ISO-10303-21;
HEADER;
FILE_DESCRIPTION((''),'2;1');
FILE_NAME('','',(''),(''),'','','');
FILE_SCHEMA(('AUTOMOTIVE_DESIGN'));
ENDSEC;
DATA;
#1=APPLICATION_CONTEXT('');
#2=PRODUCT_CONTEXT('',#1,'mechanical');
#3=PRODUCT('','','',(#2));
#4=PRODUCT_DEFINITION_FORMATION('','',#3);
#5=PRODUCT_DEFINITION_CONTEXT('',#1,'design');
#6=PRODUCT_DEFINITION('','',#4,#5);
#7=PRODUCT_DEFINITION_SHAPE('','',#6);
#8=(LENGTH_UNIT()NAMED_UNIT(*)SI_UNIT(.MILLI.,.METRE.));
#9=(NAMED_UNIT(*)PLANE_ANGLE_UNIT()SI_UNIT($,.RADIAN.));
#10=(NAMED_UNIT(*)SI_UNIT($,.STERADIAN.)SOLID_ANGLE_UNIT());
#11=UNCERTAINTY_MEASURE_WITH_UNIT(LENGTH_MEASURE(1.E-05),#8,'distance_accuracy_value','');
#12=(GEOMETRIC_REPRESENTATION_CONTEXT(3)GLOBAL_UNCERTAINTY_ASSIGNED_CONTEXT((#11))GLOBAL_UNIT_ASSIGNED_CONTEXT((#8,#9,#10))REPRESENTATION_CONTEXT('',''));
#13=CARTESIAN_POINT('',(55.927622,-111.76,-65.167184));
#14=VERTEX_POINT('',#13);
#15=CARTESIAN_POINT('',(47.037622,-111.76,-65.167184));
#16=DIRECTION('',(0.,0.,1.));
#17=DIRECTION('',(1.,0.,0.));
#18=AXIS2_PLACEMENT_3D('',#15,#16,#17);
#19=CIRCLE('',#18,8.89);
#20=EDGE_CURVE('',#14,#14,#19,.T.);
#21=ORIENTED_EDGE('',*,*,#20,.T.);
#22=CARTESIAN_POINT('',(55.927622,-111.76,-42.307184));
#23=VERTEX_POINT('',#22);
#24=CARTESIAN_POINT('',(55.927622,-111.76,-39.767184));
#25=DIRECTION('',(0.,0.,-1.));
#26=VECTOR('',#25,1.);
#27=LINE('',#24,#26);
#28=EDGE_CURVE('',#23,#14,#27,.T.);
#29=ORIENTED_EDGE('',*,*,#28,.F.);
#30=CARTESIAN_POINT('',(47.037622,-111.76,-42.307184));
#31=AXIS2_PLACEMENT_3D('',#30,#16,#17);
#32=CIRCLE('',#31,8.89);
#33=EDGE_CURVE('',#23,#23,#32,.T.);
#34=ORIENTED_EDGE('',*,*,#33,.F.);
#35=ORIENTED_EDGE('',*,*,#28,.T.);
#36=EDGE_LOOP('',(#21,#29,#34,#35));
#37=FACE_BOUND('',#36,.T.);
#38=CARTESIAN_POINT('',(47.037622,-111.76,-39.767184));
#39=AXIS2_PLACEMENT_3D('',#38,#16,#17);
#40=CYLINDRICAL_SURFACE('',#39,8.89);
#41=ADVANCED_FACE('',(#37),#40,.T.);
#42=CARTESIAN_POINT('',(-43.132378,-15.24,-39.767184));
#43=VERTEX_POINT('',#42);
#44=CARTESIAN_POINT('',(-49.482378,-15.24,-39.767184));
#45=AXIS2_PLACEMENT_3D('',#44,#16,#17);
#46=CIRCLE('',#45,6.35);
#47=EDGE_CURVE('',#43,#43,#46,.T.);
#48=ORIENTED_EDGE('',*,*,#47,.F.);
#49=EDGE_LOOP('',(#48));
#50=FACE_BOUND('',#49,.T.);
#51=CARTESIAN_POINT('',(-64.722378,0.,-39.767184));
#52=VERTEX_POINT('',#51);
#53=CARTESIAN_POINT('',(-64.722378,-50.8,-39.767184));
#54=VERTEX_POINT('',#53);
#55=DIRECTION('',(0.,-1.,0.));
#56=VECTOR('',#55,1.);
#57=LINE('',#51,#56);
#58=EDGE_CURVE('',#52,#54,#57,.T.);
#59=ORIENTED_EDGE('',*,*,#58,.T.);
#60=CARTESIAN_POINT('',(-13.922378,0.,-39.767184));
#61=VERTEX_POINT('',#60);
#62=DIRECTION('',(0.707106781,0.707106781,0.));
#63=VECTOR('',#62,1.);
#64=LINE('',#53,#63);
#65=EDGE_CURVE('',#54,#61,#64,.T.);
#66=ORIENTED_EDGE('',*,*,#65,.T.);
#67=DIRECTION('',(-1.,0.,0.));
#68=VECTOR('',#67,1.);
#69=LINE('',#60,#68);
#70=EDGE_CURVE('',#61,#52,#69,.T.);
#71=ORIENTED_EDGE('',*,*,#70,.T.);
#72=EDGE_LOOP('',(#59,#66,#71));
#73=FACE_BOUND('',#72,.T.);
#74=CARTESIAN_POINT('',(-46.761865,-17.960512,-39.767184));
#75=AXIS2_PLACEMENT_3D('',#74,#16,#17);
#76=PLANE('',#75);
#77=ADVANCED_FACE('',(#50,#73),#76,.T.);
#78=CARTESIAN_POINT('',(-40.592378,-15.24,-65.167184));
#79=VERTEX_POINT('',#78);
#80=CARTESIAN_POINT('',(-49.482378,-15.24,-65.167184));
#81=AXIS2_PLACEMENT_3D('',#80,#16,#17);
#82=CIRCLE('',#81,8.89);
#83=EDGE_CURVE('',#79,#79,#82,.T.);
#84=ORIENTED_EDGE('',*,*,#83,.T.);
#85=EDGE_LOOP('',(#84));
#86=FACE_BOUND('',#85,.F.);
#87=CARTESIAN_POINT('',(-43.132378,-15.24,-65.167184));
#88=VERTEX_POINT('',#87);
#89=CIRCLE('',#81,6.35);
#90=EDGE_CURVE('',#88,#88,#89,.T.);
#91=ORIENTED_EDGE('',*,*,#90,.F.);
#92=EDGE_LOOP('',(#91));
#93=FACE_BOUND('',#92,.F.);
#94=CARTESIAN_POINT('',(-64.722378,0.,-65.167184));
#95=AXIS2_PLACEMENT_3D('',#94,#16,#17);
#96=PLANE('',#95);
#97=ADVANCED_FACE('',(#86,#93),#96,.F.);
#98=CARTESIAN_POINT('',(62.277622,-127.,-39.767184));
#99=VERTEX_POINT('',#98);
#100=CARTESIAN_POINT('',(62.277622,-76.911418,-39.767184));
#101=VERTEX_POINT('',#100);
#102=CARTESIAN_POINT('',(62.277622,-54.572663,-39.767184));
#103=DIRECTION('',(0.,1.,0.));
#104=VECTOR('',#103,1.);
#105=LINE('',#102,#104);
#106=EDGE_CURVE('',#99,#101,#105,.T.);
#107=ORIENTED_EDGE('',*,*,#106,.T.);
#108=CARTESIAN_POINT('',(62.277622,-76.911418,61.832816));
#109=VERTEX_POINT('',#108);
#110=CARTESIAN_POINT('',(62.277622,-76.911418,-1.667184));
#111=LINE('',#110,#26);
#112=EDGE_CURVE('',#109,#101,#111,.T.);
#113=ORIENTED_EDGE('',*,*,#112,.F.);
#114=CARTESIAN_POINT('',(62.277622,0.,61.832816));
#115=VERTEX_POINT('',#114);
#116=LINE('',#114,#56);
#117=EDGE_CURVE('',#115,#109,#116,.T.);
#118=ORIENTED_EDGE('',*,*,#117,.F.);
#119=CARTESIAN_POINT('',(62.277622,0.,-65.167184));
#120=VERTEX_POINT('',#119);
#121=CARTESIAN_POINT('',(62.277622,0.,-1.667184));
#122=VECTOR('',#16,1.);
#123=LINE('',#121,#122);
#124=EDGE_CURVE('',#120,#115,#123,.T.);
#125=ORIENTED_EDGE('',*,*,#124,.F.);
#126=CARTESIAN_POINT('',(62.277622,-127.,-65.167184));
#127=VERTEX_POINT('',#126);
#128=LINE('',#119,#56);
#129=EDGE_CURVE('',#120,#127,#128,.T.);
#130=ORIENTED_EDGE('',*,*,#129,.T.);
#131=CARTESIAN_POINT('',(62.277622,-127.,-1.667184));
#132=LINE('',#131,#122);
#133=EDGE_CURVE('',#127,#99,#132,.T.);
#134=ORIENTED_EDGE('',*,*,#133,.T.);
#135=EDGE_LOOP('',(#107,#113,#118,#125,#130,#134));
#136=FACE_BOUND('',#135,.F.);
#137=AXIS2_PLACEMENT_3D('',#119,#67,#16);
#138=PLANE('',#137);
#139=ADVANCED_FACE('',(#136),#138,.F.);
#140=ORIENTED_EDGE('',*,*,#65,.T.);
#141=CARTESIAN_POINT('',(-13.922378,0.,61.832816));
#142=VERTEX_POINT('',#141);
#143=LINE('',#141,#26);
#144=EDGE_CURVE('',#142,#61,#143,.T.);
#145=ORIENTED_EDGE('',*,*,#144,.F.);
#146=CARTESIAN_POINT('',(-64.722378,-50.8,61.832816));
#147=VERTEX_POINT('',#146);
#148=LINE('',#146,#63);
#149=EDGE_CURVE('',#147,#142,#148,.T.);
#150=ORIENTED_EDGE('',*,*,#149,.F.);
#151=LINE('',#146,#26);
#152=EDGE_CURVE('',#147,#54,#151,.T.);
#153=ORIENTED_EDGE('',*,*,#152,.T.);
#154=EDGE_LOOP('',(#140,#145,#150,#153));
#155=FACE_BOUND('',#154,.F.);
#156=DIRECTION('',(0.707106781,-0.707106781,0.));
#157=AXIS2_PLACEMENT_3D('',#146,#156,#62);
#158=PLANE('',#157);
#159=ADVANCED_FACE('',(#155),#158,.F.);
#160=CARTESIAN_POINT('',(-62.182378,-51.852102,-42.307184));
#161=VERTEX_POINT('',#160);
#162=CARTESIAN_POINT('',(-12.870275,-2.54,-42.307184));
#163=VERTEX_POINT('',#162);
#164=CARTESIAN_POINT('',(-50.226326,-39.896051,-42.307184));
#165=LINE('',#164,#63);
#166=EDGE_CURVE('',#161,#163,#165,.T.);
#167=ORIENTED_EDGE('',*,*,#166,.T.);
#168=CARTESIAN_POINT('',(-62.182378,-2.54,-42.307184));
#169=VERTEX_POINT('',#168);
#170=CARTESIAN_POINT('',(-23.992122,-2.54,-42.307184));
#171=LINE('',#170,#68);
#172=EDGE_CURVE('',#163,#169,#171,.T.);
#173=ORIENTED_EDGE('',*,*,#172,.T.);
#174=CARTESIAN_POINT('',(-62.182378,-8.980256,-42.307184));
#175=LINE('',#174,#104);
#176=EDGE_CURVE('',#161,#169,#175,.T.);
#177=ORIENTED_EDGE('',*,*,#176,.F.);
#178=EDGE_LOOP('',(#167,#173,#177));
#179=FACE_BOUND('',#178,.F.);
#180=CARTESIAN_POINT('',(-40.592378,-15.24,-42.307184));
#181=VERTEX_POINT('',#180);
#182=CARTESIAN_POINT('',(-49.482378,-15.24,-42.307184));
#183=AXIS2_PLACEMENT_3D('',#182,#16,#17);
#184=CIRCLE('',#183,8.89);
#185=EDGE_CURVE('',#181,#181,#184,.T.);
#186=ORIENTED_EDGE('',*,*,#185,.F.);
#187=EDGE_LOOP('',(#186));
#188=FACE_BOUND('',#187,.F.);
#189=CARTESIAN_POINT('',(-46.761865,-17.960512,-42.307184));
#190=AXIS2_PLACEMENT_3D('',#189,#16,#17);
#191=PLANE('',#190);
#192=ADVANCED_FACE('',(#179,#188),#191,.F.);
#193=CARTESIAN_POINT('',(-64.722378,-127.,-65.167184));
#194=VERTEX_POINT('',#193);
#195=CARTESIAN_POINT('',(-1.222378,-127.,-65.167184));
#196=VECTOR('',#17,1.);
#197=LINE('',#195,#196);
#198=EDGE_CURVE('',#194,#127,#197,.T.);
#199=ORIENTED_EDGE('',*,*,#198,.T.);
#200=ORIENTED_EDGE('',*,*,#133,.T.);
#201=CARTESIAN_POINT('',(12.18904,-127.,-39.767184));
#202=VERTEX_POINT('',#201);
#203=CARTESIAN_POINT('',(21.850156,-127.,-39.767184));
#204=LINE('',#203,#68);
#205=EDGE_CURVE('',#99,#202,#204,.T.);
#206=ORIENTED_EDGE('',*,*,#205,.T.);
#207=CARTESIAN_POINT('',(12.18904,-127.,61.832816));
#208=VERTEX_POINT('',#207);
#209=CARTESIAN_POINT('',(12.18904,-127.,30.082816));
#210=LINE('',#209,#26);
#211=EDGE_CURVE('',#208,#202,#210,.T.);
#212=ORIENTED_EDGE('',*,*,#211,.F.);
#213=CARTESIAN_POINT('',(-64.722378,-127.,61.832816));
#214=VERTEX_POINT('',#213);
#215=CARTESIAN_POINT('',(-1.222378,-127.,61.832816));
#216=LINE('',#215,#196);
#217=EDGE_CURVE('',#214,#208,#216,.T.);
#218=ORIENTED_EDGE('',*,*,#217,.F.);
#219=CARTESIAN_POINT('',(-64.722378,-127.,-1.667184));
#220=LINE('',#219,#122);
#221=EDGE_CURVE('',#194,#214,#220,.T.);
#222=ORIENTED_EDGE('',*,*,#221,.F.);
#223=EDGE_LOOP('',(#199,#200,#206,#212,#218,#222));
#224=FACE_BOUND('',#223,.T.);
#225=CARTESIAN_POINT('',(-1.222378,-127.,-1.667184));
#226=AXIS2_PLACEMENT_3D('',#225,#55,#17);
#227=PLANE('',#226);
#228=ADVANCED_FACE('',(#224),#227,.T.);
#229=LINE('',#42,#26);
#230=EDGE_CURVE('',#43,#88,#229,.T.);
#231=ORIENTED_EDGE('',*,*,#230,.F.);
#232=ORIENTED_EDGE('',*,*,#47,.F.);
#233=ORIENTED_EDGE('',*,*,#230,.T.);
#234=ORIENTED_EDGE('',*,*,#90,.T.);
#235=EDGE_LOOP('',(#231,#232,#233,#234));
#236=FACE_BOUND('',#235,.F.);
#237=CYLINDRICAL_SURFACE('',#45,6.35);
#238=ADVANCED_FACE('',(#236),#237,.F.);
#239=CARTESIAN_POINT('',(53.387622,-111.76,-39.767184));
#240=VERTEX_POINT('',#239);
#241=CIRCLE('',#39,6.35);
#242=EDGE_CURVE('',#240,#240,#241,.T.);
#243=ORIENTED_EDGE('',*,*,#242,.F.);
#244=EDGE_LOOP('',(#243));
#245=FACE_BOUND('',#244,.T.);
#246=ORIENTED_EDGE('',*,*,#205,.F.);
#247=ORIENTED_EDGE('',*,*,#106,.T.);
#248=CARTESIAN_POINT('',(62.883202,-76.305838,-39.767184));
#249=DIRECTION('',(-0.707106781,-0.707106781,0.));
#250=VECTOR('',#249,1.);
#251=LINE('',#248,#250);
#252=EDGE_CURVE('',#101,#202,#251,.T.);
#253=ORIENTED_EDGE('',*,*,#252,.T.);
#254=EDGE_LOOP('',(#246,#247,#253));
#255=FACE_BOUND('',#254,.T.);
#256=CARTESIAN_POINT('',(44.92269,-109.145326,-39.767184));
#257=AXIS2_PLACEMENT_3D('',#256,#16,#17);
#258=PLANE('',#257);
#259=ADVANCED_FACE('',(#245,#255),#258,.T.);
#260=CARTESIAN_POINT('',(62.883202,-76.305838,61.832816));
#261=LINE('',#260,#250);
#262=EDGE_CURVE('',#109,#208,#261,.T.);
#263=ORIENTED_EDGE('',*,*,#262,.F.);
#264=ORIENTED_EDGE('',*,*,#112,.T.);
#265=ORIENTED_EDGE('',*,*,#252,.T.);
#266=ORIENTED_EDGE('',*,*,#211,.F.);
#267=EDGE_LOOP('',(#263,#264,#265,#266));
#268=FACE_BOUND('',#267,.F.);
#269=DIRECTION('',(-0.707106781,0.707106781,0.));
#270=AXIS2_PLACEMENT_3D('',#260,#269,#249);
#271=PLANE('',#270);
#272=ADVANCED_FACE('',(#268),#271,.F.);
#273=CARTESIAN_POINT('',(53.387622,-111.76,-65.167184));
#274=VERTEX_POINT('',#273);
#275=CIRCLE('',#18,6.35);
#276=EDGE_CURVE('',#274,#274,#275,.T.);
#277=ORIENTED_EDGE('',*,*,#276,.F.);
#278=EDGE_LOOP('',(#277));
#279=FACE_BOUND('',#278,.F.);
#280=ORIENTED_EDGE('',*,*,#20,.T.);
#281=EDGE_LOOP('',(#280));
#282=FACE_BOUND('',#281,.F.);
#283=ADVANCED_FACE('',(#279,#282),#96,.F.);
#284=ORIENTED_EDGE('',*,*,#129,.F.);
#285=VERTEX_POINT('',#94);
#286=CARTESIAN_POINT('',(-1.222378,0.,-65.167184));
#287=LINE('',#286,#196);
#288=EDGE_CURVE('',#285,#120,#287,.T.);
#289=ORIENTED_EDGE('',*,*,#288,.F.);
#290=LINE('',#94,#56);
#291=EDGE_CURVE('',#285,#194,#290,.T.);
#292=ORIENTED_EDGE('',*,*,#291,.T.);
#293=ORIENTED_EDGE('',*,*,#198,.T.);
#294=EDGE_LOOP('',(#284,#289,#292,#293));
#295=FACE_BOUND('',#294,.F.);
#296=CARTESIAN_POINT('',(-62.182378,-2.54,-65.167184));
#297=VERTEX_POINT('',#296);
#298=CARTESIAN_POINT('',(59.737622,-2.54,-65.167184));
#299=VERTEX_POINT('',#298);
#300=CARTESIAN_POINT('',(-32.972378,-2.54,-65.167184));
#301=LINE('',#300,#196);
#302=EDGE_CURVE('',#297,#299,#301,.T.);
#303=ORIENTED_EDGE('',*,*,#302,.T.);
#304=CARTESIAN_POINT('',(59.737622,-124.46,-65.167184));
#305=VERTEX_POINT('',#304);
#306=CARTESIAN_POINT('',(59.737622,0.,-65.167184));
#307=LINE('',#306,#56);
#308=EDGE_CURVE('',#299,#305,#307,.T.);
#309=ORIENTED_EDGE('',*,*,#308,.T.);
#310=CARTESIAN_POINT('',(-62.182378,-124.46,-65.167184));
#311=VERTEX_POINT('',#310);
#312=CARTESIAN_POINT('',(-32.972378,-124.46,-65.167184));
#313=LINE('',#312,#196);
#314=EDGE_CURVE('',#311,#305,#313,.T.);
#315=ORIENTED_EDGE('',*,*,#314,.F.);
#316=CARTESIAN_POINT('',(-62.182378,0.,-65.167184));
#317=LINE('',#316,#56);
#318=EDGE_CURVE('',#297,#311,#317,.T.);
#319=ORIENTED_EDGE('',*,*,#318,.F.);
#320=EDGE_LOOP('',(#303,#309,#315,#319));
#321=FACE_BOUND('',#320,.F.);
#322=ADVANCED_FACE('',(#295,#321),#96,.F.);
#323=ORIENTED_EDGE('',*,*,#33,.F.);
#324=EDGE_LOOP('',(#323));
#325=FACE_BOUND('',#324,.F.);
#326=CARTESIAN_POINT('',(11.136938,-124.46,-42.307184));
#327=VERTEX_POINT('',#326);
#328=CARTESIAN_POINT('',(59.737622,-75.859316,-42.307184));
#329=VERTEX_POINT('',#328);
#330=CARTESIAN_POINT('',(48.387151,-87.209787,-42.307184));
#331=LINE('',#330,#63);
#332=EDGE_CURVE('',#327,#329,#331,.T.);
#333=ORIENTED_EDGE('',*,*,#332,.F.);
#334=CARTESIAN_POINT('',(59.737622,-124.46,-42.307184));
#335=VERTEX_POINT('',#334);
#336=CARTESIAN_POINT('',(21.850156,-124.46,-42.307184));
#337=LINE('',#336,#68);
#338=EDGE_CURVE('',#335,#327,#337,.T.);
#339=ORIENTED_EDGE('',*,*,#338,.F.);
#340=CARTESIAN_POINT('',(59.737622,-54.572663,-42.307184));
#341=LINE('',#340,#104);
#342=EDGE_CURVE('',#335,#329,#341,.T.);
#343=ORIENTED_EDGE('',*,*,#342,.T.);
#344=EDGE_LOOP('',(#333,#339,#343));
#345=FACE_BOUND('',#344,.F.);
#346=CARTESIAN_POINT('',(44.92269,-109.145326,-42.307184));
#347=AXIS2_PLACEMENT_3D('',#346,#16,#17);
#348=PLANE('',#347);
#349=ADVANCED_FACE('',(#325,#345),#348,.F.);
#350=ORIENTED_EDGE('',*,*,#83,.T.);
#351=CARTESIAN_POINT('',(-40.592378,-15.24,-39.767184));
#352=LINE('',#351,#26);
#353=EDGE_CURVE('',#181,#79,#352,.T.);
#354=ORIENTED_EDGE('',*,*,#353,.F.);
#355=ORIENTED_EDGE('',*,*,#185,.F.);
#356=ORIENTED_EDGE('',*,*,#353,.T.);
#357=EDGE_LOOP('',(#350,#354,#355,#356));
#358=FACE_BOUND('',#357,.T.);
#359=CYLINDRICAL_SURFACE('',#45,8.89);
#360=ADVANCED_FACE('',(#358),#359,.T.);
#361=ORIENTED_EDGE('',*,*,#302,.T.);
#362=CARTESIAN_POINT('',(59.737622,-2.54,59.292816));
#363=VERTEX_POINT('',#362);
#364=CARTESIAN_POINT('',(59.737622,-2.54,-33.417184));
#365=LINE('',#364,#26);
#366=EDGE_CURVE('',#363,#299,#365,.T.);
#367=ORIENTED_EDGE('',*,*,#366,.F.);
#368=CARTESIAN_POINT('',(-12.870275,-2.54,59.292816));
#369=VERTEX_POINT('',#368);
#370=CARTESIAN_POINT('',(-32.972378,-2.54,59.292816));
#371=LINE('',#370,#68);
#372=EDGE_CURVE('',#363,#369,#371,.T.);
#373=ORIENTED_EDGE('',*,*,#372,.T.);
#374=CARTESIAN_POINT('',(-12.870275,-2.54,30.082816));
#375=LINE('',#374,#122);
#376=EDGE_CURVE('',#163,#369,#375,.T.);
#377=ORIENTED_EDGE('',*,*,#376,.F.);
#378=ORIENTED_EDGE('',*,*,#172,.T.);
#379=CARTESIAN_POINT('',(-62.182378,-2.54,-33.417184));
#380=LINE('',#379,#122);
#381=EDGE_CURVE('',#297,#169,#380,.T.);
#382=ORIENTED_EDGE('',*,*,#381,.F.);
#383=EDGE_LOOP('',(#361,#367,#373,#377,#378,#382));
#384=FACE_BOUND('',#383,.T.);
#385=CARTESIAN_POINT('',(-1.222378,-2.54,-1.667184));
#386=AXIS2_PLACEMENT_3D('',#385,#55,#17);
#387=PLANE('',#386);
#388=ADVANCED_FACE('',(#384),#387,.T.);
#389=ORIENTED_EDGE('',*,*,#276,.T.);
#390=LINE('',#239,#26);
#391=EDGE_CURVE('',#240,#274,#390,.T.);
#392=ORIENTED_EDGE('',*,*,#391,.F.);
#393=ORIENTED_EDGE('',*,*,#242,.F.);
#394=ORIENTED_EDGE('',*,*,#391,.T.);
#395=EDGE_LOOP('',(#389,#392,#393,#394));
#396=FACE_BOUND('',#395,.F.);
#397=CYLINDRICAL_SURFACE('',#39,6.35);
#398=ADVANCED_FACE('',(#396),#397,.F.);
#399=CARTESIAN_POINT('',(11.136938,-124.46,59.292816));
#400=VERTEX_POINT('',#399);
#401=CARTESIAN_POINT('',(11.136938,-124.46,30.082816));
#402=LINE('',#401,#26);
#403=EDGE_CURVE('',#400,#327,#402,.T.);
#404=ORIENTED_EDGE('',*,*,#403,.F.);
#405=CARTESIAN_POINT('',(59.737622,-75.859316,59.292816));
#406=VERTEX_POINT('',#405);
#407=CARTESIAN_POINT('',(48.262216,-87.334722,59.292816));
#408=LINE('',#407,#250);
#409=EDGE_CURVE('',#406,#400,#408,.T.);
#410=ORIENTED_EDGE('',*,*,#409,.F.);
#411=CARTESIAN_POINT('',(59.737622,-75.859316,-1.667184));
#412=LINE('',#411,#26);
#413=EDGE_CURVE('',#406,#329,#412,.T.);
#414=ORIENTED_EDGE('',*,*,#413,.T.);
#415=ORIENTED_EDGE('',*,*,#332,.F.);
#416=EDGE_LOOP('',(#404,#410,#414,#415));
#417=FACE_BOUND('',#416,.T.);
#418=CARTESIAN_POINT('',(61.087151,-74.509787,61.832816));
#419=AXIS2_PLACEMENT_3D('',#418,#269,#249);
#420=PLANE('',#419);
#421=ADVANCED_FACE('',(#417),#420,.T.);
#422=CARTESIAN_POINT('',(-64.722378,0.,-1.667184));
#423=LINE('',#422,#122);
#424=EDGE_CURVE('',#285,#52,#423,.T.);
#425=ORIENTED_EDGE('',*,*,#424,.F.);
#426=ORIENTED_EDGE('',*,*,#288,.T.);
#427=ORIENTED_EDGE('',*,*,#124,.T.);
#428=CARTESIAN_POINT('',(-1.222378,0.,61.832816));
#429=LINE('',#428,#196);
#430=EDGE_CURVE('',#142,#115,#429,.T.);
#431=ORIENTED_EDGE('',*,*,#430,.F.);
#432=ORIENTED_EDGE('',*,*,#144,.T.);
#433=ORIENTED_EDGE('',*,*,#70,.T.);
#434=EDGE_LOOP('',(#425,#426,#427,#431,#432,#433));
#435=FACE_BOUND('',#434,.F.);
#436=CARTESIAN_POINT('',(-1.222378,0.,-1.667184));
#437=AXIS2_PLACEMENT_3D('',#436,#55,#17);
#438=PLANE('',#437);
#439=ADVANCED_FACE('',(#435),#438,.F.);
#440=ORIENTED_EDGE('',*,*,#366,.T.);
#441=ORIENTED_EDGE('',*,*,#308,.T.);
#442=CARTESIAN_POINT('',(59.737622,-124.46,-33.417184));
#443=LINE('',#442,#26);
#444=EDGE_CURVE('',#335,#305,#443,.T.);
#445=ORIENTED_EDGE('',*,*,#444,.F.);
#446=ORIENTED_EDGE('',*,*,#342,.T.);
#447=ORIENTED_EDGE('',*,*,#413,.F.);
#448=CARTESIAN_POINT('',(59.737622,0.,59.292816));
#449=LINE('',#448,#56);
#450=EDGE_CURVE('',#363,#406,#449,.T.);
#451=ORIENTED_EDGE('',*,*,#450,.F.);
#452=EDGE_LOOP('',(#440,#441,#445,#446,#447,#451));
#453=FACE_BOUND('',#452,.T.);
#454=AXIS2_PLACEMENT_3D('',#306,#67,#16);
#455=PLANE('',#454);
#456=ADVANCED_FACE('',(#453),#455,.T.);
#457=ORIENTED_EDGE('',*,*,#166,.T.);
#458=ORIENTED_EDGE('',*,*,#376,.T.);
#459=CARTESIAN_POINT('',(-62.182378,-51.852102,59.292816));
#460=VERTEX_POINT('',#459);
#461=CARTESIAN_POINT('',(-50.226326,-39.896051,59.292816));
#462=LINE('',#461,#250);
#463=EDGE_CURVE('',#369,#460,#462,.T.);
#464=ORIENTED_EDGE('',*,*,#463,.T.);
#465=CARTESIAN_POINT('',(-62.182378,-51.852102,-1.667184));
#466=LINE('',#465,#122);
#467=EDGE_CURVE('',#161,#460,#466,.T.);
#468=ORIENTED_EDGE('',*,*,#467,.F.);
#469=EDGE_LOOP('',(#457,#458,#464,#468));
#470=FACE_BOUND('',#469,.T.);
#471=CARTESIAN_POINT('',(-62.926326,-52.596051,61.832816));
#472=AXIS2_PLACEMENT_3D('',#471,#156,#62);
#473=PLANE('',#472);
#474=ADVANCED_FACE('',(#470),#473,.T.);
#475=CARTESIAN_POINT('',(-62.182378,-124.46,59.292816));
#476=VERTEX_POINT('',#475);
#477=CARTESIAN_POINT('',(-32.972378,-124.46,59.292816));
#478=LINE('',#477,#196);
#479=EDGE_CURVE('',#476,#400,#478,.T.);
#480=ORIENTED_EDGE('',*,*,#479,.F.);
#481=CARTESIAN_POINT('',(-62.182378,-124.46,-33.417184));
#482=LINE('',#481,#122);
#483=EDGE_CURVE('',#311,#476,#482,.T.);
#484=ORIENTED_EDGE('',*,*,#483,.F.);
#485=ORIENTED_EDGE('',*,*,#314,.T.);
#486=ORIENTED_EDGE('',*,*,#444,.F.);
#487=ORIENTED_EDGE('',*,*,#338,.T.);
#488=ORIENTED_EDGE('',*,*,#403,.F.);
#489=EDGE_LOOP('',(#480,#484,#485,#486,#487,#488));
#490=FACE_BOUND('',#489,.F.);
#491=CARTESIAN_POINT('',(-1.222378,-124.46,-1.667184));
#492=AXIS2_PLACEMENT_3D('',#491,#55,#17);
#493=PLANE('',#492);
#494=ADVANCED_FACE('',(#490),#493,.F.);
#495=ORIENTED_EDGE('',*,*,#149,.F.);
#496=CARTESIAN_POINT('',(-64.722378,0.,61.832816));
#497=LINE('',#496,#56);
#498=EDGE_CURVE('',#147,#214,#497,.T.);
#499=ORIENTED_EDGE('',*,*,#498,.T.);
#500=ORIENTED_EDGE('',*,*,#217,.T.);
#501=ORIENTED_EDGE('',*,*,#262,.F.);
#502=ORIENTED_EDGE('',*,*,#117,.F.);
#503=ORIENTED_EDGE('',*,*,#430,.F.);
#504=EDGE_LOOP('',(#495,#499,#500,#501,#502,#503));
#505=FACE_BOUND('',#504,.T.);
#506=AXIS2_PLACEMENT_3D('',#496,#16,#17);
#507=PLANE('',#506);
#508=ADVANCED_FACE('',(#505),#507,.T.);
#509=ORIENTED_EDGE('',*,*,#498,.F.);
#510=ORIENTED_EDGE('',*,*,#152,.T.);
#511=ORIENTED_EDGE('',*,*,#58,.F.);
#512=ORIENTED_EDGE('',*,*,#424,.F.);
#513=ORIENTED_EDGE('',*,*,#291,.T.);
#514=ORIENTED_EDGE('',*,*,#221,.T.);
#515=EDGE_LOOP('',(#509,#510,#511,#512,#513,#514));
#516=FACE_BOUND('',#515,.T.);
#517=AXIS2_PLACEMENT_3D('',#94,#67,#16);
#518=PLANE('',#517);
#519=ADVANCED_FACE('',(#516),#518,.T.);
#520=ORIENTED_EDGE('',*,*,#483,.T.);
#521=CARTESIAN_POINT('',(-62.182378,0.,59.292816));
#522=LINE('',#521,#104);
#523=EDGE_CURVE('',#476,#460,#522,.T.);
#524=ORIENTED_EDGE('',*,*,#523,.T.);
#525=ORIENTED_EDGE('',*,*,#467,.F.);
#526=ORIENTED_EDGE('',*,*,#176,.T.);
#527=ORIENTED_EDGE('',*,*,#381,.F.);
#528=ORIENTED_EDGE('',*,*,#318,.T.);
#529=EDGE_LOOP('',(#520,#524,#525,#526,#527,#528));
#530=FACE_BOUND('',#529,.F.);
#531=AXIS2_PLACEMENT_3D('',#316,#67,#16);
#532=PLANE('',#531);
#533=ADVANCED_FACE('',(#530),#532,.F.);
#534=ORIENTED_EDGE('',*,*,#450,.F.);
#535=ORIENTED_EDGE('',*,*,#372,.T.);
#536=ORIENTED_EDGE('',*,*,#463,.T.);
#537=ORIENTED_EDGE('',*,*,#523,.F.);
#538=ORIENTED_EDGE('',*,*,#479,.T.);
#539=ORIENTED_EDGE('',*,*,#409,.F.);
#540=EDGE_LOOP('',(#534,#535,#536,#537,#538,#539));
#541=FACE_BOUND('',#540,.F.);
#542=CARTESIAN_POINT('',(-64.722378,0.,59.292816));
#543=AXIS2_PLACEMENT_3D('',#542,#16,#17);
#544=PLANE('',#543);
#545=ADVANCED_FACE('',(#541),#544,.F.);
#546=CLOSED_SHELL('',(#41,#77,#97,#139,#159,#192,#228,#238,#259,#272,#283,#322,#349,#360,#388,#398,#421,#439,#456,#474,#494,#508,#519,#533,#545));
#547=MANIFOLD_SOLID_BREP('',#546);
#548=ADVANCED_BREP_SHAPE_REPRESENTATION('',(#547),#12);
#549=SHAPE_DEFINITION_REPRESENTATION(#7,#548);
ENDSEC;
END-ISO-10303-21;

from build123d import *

# Parameters (mm, degrees)
F0_W     = 127
F0_H     = 127
F1_DEPTH = 127
F4_DEPTH = 101.6
F5_R     = 6.35
F6_DEPTH = 203.2
F7_T     = -2.54


with BuildPart() as f1:
    # F0 (on Front) → F1 (new body)
    with BuildSketch(Plane.XZ):
        with Locations((-1.222377643, -1.6671840248)):
            Rectangle(F0_W, F0_H)
    extrude(amount=F1_DEPTH)

    # F3 (on face) + F2 (on face) → F4 (cut)
    with BuildSketch(Plane.XY.offset(61.8328159752)):
        Polygon((62.8832024596, -127.1058379948), (62.8832024596, -76.3058379948), (12.0832024596, -127.1058379948), align=None)
    with BuildSketch(Plane.XY.offset(61.8328159752)):
        Polygon((-13.922377643, 0), (-64.722377643, 0), (-64.722377643, -50.8), align=None)
    extrude(amount=-F4_DEPTH, mode=Mode.SUBTRACT)

    # F5 (on face) → F6 (cut)
    with BuildSketch(Plane.XY.offset(-39.7671840248)):
        with Locations((-49.482377643, -15.24)):
            Circle(F5_R)
        with Locations((47.037622357, -111.76)):
            Circle(F5_R)
    extrude(amount=-F6_DEPTH, mode=Mode.SUBTRACT)

    # F7
    f7_openings = [f1.faces().sort_by_distance(p)[0] for p in [
        (-1.222378, -63.5, -65.167184),
    ]]
    offset(amount=F7_T, openings=f7_openings, kind=Kind.INTERSECTION)


solid = f1.part
